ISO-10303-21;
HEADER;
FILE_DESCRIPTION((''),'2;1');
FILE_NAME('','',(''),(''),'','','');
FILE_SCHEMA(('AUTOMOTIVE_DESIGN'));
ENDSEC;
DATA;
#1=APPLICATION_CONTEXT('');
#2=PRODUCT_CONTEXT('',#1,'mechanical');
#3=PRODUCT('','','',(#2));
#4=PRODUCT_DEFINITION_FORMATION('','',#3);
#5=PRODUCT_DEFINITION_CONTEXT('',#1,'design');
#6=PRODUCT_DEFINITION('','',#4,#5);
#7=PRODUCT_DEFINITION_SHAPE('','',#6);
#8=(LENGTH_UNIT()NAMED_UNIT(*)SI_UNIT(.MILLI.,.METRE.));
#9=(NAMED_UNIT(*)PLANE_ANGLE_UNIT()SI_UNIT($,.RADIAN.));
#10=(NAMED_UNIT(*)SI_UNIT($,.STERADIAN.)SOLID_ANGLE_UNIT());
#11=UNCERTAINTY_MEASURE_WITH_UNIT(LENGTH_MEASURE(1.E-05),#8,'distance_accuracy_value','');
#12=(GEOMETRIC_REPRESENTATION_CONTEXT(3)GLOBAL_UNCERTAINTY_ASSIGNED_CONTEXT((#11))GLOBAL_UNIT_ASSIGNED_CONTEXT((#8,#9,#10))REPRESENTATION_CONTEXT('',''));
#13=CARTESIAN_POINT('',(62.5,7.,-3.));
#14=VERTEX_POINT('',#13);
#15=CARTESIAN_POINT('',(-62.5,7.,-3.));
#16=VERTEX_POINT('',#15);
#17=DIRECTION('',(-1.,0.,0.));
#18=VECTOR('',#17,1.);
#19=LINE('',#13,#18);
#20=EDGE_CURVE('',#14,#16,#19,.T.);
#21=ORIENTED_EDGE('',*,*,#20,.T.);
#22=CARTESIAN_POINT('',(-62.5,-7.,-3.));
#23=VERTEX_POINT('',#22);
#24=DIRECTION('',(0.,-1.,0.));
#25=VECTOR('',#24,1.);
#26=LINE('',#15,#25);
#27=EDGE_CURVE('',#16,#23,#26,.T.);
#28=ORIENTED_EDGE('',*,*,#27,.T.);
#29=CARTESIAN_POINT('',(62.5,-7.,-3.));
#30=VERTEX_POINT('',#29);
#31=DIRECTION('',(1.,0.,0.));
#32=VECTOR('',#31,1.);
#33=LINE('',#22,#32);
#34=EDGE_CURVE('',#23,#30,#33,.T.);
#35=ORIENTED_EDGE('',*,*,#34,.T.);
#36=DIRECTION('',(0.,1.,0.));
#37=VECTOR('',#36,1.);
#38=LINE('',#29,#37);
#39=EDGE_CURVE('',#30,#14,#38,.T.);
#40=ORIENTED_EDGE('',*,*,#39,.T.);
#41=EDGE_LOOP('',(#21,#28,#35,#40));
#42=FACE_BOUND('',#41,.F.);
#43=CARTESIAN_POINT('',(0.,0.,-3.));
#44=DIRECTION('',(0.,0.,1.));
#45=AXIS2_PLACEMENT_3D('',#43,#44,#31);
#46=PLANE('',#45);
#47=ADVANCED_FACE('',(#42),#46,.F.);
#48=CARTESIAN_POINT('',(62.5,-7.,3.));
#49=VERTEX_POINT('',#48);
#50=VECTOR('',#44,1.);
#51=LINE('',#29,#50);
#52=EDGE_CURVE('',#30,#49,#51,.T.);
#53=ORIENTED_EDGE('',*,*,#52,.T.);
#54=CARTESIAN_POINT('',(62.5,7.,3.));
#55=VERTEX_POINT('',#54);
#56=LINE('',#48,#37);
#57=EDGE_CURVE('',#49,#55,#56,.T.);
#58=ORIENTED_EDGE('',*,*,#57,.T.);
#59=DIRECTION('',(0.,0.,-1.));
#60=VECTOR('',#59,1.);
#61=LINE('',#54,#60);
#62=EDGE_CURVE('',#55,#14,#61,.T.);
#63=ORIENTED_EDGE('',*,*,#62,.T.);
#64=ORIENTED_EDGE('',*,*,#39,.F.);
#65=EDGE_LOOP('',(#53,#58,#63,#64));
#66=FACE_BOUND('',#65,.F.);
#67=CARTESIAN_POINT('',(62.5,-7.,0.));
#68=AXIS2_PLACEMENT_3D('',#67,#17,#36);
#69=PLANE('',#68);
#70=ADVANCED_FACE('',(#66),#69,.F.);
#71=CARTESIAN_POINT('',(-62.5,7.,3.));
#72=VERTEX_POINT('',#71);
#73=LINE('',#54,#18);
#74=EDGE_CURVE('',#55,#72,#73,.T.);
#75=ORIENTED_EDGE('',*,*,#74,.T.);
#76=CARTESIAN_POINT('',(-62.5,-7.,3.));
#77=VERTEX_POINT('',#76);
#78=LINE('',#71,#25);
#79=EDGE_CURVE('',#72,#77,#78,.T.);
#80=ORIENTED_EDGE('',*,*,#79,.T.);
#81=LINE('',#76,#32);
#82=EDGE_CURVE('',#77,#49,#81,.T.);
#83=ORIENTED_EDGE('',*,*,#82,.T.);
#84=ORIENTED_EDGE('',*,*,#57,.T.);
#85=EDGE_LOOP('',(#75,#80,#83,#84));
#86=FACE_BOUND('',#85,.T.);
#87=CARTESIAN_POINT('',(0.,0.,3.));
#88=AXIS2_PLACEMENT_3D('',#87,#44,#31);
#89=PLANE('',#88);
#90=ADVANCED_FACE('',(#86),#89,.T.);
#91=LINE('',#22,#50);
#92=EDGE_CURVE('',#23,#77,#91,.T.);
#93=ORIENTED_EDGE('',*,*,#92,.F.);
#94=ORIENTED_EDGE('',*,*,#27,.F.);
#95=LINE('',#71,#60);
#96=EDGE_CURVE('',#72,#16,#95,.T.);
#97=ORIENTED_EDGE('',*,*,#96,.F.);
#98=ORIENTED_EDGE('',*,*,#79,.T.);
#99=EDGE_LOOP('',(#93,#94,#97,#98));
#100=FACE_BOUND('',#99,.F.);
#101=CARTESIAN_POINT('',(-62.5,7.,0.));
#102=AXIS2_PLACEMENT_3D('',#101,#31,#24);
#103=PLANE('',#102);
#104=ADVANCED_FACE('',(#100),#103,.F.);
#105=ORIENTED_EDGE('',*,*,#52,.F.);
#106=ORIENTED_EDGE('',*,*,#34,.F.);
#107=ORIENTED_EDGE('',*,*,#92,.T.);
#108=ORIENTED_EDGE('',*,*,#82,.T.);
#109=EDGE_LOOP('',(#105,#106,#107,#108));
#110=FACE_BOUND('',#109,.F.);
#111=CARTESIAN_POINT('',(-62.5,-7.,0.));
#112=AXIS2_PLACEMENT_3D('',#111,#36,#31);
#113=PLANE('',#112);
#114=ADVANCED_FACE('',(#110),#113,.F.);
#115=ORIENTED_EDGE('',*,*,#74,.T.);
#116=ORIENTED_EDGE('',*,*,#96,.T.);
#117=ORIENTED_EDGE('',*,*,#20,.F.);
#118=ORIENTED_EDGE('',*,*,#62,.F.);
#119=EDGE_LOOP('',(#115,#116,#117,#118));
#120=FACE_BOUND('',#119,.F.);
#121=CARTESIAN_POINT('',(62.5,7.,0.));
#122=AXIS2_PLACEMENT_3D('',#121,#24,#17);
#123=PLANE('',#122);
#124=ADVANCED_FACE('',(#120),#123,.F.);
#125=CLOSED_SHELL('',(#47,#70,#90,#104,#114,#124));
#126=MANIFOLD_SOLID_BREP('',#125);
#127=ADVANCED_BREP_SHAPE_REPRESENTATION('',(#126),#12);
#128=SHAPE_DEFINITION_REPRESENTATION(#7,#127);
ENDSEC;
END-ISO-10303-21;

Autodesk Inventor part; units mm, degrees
ref_plane "YZ Plane" through (0, 0, 0) normal (1, 0, 0) x (0, 1, 0)
ref_plane "XZ Plane" through (0, 0, 0) normal (0, 1, 0) x (-1, 0, 0)
ref_plane "XY Plane" through (0, 0, 0) normal (0, 0, 1) x (1, 0, 0)
sketch "草圖1" plane through (0, 0, 0) normal (0, 0, 1) x (1, 0, 0)
  line L0 (0, 0) -> (-46.9602, 0) construction
  line L1 (0, 0) -> (0, 45.4619) construction
  line L2 (-62.5, -7) -> (62.5, -7)
  line L3 (62.5, -7) -> (62.5, 7)
  line L4 (62.5, 7) -> (-62.5, 7)
  line L5 (-62.5, 7) -> (-62.5, -7)
  line L6 (-62.5, -7) -> (62.5, 7) construction
  line L7 (62.5, -7) -> (-62.5, 7) construction
  dimension "d0" = 14
  dimension "d1" = 125
extrude "擠出1" add sketch "草圖1" along normal mid plane 6
properties part number "0 零件" material "橡膠"
